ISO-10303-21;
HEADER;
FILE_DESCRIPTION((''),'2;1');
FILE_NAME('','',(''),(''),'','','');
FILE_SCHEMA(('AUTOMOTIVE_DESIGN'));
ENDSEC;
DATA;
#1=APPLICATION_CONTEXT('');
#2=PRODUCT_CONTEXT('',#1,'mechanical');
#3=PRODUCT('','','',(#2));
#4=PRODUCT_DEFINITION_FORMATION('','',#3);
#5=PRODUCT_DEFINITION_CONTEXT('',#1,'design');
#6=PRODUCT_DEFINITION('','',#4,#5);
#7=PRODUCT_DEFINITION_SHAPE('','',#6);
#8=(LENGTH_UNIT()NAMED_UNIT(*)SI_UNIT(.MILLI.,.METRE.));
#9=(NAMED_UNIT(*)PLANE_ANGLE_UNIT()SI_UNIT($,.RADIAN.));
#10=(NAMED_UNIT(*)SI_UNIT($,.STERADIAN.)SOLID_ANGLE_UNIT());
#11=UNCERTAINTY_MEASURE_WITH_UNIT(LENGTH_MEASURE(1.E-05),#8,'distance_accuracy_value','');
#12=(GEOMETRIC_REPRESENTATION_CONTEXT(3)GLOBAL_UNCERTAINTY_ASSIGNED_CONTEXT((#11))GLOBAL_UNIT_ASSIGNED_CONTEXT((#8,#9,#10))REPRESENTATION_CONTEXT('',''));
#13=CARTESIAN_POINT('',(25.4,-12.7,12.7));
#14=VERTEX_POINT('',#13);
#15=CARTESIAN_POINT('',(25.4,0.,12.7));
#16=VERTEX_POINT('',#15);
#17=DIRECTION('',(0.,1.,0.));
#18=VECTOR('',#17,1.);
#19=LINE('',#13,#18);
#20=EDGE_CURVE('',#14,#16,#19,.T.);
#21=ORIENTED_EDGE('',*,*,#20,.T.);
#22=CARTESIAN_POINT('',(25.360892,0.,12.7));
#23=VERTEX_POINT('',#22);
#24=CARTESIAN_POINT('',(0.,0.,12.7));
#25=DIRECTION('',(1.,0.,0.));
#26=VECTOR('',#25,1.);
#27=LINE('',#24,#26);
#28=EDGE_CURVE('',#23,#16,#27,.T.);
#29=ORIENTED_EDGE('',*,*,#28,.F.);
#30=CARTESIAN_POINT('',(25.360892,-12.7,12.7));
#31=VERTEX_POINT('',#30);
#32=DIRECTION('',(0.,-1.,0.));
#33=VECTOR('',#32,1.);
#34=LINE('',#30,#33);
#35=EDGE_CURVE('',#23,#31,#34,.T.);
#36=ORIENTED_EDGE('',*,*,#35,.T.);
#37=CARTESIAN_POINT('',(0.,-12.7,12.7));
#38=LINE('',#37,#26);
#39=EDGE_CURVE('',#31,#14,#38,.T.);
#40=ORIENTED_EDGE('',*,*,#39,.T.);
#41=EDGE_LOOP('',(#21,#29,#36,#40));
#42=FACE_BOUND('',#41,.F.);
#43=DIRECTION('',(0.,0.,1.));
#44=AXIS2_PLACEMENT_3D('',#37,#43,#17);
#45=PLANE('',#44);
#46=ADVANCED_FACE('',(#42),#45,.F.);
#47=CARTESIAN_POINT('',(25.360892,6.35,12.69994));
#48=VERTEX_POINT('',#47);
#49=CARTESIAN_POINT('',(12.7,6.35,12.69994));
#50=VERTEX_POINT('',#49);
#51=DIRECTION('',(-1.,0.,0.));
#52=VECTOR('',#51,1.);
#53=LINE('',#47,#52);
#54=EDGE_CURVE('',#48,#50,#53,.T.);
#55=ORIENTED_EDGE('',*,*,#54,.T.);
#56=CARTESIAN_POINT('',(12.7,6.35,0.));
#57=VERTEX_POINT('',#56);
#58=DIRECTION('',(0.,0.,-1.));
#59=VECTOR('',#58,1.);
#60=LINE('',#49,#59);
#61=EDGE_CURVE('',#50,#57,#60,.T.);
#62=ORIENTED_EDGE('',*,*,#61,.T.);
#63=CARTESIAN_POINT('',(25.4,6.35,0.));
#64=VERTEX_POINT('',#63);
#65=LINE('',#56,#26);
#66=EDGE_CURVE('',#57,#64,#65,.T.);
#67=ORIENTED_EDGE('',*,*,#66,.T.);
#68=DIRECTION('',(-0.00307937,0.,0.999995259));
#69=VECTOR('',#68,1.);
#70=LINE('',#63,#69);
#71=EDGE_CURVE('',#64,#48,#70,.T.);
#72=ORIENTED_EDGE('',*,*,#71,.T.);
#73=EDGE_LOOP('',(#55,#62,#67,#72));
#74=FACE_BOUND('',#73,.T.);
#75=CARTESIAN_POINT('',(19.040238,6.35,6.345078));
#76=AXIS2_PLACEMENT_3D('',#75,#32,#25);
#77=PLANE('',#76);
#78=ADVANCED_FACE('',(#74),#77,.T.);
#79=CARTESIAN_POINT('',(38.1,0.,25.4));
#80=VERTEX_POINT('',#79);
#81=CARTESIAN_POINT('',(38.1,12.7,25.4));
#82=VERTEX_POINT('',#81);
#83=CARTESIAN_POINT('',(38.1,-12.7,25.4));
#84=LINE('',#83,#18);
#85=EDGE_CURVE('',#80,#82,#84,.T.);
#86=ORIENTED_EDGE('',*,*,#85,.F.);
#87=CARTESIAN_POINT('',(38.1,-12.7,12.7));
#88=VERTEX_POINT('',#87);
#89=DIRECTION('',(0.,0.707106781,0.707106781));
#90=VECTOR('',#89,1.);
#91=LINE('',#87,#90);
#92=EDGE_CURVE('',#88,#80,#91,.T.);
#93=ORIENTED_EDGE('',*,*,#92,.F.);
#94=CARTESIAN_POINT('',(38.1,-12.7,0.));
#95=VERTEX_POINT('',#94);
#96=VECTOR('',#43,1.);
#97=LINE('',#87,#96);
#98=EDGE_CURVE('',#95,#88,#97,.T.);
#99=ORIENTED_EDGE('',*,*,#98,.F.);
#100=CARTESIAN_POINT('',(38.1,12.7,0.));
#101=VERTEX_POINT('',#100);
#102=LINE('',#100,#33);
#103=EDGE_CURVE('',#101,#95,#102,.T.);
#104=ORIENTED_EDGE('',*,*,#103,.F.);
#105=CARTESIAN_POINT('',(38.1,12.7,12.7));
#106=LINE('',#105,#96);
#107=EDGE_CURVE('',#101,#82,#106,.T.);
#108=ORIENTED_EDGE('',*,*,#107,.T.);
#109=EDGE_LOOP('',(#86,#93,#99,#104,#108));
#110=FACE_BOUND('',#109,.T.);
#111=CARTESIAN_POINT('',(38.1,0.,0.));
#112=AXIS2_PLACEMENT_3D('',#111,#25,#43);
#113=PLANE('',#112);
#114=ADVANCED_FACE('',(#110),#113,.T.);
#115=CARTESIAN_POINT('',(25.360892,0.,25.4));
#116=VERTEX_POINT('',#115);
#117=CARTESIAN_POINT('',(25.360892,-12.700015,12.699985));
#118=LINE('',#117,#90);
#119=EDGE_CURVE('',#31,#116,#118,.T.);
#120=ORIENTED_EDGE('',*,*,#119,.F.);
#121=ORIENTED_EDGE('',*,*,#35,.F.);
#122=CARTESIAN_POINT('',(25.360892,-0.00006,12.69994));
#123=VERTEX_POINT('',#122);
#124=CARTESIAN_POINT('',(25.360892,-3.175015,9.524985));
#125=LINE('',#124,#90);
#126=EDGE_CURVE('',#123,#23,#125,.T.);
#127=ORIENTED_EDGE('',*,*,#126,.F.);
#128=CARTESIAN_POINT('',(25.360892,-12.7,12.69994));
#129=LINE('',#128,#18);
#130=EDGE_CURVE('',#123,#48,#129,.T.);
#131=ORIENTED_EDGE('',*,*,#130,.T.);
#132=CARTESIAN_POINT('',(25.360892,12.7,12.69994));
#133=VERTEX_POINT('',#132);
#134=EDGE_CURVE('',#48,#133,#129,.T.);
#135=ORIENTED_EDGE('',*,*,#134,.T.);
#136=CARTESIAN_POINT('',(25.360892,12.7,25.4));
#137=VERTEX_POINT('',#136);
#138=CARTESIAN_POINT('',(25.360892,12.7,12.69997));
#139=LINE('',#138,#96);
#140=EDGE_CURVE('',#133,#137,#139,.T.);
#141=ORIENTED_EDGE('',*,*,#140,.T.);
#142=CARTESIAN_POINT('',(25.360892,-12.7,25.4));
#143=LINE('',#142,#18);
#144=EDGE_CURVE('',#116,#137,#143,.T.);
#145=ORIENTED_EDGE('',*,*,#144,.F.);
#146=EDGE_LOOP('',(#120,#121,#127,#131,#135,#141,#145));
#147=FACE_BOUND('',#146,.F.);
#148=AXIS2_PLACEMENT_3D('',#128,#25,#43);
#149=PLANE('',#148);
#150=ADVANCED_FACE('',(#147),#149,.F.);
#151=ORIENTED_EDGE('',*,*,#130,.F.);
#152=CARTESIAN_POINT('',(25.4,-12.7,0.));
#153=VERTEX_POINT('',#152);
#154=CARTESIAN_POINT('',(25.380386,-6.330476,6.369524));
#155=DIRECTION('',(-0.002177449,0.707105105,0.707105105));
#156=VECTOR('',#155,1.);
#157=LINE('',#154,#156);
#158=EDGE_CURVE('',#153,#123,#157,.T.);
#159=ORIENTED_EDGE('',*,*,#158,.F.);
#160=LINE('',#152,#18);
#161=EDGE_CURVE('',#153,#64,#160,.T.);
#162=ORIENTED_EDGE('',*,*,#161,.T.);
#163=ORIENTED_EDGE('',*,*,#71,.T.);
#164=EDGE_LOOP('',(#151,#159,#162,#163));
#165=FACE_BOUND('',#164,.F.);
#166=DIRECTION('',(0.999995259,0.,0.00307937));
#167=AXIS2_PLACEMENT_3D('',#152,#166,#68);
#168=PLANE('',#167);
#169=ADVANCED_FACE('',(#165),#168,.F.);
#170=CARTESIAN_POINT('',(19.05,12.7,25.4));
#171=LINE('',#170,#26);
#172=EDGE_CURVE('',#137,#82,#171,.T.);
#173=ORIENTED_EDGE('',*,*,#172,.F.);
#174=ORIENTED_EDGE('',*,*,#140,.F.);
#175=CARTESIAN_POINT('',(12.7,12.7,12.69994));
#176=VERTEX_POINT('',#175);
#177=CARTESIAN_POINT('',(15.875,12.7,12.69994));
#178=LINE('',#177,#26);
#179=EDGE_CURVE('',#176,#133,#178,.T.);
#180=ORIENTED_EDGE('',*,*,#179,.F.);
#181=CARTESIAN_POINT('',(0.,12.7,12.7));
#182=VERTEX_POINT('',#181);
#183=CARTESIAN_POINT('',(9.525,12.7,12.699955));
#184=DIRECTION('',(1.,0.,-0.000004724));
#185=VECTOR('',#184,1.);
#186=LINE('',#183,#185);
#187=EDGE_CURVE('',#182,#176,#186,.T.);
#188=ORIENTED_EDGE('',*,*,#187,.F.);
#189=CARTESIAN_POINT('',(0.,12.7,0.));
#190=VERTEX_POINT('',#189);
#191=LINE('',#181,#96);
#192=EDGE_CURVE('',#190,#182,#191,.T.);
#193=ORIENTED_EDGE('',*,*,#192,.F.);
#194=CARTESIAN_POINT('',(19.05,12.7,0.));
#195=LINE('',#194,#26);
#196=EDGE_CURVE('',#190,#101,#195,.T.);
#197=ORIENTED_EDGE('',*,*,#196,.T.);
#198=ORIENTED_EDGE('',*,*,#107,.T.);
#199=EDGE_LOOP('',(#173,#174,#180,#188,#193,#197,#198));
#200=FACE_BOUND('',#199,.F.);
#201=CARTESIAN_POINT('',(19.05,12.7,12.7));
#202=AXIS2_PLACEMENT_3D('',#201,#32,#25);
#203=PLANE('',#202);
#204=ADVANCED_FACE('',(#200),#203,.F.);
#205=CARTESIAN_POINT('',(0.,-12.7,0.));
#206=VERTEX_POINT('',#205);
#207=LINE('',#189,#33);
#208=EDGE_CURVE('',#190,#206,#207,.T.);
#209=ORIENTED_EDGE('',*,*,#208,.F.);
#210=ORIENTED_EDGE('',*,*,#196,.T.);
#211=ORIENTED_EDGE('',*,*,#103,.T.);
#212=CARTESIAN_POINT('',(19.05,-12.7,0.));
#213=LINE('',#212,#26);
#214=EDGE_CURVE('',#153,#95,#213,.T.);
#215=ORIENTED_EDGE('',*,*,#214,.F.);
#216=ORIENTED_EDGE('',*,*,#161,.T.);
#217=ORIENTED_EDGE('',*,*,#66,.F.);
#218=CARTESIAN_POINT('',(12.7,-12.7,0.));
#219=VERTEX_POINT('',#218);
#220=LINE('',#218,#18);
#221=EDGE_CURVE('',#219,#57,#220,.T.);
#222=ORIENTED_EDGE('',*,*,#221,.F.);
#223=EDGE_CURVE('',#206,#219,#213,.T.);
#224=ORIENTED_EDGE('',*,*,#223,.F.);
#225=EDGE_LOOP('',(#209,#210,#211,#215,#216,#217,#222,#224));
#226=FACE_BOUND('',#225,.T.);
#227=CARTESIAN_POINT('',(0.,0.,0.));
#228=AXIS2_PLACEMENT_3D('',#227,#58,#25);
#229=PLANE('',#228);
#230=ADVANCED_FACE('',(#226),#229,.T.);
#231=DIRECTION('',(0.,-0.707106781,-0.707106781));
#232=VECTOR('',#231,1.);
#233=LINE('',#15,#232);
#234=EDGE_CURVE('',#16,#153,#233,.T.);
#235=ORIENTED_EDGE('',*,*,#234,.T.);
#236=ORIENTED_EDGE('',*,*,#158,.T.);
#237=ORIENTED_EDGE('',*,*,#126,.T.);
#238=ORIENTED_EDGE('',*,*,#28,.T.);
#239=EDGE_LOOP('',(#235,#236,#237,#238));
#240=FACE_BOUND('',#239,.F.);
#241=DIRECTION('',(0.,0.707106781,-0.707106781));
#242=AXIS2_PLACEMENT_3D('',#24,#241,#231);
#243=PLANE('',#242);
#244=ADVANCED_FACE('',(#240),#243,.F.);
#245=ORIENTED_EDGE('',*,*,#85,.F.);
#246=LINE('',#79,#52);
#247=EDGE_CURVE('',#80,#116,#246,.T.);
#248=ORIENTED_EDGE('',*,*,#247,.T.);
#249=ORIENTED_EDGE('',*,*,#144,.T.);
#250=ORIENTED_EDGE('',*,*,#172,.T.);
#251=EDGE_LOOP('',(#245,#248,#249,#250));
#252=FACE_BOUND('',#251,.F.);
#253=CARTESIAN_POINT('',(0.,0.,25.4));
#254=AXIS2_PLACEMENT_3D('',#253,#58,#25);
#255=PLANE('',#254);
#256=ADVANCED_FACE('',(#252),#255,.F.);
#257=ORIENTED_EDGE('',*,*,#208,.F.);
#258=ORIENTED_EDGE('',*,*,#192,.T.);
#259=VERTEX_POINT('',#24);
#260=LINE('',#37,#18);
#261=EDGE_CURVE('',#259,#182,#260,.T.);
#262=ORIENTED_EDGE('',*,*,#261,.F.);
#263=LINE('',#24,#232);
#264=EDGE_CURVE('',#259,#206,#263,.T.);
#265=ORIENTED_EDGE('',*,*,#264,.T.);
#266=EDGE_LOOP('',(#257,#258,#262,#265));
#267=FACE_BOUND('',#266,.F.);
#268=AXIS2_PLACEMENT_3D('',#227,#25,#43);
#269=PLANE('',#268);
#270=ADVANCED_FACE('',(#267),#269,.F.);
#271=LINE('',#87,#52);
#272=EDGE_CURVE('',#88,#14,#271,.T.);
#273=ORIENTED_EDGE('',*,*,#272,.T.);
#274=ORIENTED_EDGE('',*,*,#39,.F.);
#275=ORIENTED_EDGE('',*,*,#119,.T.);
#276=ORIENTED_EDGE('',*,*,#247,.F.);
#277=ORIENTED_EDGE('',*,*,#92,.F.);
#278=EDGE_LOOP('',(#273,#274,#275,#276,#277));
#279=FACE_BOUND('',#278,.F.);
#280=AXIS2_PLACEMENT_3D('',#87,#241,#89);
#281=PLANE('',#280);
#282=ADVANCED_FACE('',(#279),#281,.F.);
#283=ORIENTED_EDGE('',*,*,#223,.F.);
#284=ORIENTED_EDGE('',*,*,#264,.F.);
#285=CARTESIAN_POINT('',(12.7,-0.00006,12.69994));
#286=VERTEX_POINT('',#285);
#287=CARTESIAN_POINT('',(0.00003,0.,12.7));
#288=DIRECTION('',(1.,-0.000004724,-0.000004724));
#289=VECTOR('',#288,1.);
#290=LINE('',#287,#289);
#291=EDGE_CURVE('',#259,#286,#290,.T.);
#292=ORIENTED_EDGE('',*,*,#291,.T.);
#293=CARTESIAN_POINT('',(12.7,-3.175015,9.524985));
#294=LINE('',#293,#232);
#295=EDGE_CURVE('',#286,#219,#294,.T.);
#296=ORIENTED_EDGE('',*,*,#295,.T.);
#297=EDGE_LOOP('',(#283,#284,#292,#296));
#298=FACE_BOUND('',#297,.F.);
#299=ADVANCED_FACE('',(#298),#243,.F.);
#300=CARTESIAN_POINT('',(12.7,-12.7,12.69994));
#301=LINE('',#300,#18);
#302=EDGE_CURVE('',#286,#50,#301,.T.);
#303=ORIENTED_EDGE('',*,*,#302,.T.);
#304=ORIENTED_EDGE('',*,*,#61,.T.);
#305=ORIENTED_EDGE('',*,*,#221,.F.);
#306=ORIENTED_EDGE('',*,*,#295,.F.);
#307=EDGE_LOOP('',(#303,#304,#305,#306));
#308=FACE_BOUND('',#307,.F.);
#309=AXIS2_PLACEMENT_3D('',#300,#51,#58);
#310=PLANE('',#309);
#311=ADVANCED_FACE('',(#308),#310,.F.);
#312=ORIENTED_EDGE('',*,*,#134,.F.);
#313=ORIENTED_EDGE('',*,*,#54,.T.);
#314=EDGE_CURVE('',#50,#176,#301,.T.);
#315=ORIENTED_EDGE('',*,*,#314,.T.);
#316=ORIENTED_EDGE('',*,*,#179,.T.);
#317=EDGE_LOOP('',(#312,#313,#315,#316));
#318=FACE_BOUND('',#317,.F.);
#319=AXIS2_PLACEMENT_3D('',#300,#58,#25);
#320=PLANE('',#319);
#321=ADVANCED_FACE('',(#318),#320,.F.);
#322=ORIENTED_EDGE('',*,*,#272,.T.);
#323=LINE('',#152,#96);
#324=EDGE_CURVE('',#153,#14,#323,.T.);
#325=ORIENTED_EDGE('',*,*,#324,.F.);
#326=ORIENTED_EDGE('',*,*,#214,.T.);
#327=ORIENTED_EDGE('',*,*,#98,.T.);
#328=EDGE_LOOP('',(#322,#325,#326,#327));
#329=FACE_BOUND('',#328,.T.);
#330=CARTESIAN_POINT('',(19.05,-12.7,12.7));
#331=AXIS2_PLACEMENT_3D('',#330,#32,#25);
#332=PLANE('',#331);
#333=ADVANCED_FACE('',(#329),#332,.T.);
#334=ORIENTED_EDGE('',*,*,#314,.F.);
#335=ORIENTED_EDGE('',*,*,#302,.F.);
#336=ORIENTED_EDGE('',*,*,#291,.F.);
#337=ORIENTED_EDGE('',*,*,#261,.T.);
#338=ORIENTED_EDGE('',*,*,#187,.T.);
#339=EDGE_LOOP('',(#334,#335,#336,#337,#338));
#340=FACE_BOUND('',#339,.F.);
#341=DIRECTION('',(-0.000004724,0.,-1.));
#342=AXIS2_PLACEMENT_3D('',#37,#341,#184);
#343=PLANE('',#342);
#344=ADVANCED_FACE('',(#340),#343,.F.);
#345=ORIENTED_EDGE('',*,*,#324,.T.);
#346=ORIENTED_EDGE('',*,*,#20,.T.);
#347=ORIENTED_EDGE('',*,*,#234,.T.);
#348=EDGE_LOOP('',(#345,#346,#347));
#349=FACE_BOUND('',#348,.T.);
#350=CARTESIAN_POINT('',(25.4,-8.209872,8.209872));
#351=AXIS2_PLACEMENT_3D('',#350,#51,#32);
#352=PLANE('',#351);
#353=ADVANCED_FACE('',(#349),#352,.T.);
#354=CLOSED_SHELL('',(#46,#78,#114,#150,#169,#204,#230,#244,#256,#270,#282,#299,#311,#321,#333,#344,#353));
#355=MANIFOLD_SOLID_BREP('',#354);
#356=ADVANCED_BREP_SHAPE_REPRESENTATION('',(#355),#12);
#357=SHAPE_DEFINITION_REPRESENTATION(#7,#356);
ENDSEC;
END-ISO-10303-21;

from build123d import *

# Parameters (mm, degrees)
F0_W     = 38.1
F0_H     = 25.4
F1_DEPTH = 12.7
F3_DEPTH = 19.05
F2_W     = 12.660892
F2_H     = 12.70006
F4_DEPTH = 25.401
F6_DEPTH = 25.4
F8_DEPTH = 38.101


with BuildPart() as f1:
    # F0 (on Front) → F1 (new body, symmetric)
    with BuildSketch(Plane.XZ):
        with Locations((19.05, 12.7)):
            Rectangle(F0_W, F0_H)
    extrude(amount=F1_DEPTH, both=True)

    # F2 (on face) → F3 (cut)
    with BuildSketch(Plane.XZ.offset(12.7)):
        Polygon((25.360892, 12.69994), (12.7, 12.69994), (12.7, 0), (25.4, 0), align=None)
    extrude(amount=-F3_DEPTH, mode=Mode.SUBTRACT)

    # F2 (on face) → F4 (cut, through all)
    with BuildSketch(Plane.XZ.offset(12.7)):
        with Locations((19.030446, 19.04997)):
            Rectangle(F2_W, F2_H)
        Polygon((12.7, 25.4), (0, 25.4), (0, 12.7), (12.7, 12.69994), align=None)
    extrude(amount=-F4_DEPTH, mode=Mode.SUBTRACT)

    # F5 (on face) → F6 (cut)
    with BuildSketch(Plane(origin=(0, 0, 0), x_dir=(0, -1, 0), z_dir=(-1, 0, 0))):
        Polygon((12.7, 12.7), (0, 12.7), (12.7, 0), align=None)
    extrude(amount=-F6_DEPTH, mode=Mode.SUBTRACT)

    # F7 (on face) → F8 (cut, through all)
    with BuildSketch(Plane.YZ.offset(38.1)):
        Polygon((-12.7, 12.7), (0, 25.4), (-12.7, 25.4), align=None)
    extrude(amount=-F8_DEPTH, mode=Mode.SUBTRACT)


solid = f1.part
